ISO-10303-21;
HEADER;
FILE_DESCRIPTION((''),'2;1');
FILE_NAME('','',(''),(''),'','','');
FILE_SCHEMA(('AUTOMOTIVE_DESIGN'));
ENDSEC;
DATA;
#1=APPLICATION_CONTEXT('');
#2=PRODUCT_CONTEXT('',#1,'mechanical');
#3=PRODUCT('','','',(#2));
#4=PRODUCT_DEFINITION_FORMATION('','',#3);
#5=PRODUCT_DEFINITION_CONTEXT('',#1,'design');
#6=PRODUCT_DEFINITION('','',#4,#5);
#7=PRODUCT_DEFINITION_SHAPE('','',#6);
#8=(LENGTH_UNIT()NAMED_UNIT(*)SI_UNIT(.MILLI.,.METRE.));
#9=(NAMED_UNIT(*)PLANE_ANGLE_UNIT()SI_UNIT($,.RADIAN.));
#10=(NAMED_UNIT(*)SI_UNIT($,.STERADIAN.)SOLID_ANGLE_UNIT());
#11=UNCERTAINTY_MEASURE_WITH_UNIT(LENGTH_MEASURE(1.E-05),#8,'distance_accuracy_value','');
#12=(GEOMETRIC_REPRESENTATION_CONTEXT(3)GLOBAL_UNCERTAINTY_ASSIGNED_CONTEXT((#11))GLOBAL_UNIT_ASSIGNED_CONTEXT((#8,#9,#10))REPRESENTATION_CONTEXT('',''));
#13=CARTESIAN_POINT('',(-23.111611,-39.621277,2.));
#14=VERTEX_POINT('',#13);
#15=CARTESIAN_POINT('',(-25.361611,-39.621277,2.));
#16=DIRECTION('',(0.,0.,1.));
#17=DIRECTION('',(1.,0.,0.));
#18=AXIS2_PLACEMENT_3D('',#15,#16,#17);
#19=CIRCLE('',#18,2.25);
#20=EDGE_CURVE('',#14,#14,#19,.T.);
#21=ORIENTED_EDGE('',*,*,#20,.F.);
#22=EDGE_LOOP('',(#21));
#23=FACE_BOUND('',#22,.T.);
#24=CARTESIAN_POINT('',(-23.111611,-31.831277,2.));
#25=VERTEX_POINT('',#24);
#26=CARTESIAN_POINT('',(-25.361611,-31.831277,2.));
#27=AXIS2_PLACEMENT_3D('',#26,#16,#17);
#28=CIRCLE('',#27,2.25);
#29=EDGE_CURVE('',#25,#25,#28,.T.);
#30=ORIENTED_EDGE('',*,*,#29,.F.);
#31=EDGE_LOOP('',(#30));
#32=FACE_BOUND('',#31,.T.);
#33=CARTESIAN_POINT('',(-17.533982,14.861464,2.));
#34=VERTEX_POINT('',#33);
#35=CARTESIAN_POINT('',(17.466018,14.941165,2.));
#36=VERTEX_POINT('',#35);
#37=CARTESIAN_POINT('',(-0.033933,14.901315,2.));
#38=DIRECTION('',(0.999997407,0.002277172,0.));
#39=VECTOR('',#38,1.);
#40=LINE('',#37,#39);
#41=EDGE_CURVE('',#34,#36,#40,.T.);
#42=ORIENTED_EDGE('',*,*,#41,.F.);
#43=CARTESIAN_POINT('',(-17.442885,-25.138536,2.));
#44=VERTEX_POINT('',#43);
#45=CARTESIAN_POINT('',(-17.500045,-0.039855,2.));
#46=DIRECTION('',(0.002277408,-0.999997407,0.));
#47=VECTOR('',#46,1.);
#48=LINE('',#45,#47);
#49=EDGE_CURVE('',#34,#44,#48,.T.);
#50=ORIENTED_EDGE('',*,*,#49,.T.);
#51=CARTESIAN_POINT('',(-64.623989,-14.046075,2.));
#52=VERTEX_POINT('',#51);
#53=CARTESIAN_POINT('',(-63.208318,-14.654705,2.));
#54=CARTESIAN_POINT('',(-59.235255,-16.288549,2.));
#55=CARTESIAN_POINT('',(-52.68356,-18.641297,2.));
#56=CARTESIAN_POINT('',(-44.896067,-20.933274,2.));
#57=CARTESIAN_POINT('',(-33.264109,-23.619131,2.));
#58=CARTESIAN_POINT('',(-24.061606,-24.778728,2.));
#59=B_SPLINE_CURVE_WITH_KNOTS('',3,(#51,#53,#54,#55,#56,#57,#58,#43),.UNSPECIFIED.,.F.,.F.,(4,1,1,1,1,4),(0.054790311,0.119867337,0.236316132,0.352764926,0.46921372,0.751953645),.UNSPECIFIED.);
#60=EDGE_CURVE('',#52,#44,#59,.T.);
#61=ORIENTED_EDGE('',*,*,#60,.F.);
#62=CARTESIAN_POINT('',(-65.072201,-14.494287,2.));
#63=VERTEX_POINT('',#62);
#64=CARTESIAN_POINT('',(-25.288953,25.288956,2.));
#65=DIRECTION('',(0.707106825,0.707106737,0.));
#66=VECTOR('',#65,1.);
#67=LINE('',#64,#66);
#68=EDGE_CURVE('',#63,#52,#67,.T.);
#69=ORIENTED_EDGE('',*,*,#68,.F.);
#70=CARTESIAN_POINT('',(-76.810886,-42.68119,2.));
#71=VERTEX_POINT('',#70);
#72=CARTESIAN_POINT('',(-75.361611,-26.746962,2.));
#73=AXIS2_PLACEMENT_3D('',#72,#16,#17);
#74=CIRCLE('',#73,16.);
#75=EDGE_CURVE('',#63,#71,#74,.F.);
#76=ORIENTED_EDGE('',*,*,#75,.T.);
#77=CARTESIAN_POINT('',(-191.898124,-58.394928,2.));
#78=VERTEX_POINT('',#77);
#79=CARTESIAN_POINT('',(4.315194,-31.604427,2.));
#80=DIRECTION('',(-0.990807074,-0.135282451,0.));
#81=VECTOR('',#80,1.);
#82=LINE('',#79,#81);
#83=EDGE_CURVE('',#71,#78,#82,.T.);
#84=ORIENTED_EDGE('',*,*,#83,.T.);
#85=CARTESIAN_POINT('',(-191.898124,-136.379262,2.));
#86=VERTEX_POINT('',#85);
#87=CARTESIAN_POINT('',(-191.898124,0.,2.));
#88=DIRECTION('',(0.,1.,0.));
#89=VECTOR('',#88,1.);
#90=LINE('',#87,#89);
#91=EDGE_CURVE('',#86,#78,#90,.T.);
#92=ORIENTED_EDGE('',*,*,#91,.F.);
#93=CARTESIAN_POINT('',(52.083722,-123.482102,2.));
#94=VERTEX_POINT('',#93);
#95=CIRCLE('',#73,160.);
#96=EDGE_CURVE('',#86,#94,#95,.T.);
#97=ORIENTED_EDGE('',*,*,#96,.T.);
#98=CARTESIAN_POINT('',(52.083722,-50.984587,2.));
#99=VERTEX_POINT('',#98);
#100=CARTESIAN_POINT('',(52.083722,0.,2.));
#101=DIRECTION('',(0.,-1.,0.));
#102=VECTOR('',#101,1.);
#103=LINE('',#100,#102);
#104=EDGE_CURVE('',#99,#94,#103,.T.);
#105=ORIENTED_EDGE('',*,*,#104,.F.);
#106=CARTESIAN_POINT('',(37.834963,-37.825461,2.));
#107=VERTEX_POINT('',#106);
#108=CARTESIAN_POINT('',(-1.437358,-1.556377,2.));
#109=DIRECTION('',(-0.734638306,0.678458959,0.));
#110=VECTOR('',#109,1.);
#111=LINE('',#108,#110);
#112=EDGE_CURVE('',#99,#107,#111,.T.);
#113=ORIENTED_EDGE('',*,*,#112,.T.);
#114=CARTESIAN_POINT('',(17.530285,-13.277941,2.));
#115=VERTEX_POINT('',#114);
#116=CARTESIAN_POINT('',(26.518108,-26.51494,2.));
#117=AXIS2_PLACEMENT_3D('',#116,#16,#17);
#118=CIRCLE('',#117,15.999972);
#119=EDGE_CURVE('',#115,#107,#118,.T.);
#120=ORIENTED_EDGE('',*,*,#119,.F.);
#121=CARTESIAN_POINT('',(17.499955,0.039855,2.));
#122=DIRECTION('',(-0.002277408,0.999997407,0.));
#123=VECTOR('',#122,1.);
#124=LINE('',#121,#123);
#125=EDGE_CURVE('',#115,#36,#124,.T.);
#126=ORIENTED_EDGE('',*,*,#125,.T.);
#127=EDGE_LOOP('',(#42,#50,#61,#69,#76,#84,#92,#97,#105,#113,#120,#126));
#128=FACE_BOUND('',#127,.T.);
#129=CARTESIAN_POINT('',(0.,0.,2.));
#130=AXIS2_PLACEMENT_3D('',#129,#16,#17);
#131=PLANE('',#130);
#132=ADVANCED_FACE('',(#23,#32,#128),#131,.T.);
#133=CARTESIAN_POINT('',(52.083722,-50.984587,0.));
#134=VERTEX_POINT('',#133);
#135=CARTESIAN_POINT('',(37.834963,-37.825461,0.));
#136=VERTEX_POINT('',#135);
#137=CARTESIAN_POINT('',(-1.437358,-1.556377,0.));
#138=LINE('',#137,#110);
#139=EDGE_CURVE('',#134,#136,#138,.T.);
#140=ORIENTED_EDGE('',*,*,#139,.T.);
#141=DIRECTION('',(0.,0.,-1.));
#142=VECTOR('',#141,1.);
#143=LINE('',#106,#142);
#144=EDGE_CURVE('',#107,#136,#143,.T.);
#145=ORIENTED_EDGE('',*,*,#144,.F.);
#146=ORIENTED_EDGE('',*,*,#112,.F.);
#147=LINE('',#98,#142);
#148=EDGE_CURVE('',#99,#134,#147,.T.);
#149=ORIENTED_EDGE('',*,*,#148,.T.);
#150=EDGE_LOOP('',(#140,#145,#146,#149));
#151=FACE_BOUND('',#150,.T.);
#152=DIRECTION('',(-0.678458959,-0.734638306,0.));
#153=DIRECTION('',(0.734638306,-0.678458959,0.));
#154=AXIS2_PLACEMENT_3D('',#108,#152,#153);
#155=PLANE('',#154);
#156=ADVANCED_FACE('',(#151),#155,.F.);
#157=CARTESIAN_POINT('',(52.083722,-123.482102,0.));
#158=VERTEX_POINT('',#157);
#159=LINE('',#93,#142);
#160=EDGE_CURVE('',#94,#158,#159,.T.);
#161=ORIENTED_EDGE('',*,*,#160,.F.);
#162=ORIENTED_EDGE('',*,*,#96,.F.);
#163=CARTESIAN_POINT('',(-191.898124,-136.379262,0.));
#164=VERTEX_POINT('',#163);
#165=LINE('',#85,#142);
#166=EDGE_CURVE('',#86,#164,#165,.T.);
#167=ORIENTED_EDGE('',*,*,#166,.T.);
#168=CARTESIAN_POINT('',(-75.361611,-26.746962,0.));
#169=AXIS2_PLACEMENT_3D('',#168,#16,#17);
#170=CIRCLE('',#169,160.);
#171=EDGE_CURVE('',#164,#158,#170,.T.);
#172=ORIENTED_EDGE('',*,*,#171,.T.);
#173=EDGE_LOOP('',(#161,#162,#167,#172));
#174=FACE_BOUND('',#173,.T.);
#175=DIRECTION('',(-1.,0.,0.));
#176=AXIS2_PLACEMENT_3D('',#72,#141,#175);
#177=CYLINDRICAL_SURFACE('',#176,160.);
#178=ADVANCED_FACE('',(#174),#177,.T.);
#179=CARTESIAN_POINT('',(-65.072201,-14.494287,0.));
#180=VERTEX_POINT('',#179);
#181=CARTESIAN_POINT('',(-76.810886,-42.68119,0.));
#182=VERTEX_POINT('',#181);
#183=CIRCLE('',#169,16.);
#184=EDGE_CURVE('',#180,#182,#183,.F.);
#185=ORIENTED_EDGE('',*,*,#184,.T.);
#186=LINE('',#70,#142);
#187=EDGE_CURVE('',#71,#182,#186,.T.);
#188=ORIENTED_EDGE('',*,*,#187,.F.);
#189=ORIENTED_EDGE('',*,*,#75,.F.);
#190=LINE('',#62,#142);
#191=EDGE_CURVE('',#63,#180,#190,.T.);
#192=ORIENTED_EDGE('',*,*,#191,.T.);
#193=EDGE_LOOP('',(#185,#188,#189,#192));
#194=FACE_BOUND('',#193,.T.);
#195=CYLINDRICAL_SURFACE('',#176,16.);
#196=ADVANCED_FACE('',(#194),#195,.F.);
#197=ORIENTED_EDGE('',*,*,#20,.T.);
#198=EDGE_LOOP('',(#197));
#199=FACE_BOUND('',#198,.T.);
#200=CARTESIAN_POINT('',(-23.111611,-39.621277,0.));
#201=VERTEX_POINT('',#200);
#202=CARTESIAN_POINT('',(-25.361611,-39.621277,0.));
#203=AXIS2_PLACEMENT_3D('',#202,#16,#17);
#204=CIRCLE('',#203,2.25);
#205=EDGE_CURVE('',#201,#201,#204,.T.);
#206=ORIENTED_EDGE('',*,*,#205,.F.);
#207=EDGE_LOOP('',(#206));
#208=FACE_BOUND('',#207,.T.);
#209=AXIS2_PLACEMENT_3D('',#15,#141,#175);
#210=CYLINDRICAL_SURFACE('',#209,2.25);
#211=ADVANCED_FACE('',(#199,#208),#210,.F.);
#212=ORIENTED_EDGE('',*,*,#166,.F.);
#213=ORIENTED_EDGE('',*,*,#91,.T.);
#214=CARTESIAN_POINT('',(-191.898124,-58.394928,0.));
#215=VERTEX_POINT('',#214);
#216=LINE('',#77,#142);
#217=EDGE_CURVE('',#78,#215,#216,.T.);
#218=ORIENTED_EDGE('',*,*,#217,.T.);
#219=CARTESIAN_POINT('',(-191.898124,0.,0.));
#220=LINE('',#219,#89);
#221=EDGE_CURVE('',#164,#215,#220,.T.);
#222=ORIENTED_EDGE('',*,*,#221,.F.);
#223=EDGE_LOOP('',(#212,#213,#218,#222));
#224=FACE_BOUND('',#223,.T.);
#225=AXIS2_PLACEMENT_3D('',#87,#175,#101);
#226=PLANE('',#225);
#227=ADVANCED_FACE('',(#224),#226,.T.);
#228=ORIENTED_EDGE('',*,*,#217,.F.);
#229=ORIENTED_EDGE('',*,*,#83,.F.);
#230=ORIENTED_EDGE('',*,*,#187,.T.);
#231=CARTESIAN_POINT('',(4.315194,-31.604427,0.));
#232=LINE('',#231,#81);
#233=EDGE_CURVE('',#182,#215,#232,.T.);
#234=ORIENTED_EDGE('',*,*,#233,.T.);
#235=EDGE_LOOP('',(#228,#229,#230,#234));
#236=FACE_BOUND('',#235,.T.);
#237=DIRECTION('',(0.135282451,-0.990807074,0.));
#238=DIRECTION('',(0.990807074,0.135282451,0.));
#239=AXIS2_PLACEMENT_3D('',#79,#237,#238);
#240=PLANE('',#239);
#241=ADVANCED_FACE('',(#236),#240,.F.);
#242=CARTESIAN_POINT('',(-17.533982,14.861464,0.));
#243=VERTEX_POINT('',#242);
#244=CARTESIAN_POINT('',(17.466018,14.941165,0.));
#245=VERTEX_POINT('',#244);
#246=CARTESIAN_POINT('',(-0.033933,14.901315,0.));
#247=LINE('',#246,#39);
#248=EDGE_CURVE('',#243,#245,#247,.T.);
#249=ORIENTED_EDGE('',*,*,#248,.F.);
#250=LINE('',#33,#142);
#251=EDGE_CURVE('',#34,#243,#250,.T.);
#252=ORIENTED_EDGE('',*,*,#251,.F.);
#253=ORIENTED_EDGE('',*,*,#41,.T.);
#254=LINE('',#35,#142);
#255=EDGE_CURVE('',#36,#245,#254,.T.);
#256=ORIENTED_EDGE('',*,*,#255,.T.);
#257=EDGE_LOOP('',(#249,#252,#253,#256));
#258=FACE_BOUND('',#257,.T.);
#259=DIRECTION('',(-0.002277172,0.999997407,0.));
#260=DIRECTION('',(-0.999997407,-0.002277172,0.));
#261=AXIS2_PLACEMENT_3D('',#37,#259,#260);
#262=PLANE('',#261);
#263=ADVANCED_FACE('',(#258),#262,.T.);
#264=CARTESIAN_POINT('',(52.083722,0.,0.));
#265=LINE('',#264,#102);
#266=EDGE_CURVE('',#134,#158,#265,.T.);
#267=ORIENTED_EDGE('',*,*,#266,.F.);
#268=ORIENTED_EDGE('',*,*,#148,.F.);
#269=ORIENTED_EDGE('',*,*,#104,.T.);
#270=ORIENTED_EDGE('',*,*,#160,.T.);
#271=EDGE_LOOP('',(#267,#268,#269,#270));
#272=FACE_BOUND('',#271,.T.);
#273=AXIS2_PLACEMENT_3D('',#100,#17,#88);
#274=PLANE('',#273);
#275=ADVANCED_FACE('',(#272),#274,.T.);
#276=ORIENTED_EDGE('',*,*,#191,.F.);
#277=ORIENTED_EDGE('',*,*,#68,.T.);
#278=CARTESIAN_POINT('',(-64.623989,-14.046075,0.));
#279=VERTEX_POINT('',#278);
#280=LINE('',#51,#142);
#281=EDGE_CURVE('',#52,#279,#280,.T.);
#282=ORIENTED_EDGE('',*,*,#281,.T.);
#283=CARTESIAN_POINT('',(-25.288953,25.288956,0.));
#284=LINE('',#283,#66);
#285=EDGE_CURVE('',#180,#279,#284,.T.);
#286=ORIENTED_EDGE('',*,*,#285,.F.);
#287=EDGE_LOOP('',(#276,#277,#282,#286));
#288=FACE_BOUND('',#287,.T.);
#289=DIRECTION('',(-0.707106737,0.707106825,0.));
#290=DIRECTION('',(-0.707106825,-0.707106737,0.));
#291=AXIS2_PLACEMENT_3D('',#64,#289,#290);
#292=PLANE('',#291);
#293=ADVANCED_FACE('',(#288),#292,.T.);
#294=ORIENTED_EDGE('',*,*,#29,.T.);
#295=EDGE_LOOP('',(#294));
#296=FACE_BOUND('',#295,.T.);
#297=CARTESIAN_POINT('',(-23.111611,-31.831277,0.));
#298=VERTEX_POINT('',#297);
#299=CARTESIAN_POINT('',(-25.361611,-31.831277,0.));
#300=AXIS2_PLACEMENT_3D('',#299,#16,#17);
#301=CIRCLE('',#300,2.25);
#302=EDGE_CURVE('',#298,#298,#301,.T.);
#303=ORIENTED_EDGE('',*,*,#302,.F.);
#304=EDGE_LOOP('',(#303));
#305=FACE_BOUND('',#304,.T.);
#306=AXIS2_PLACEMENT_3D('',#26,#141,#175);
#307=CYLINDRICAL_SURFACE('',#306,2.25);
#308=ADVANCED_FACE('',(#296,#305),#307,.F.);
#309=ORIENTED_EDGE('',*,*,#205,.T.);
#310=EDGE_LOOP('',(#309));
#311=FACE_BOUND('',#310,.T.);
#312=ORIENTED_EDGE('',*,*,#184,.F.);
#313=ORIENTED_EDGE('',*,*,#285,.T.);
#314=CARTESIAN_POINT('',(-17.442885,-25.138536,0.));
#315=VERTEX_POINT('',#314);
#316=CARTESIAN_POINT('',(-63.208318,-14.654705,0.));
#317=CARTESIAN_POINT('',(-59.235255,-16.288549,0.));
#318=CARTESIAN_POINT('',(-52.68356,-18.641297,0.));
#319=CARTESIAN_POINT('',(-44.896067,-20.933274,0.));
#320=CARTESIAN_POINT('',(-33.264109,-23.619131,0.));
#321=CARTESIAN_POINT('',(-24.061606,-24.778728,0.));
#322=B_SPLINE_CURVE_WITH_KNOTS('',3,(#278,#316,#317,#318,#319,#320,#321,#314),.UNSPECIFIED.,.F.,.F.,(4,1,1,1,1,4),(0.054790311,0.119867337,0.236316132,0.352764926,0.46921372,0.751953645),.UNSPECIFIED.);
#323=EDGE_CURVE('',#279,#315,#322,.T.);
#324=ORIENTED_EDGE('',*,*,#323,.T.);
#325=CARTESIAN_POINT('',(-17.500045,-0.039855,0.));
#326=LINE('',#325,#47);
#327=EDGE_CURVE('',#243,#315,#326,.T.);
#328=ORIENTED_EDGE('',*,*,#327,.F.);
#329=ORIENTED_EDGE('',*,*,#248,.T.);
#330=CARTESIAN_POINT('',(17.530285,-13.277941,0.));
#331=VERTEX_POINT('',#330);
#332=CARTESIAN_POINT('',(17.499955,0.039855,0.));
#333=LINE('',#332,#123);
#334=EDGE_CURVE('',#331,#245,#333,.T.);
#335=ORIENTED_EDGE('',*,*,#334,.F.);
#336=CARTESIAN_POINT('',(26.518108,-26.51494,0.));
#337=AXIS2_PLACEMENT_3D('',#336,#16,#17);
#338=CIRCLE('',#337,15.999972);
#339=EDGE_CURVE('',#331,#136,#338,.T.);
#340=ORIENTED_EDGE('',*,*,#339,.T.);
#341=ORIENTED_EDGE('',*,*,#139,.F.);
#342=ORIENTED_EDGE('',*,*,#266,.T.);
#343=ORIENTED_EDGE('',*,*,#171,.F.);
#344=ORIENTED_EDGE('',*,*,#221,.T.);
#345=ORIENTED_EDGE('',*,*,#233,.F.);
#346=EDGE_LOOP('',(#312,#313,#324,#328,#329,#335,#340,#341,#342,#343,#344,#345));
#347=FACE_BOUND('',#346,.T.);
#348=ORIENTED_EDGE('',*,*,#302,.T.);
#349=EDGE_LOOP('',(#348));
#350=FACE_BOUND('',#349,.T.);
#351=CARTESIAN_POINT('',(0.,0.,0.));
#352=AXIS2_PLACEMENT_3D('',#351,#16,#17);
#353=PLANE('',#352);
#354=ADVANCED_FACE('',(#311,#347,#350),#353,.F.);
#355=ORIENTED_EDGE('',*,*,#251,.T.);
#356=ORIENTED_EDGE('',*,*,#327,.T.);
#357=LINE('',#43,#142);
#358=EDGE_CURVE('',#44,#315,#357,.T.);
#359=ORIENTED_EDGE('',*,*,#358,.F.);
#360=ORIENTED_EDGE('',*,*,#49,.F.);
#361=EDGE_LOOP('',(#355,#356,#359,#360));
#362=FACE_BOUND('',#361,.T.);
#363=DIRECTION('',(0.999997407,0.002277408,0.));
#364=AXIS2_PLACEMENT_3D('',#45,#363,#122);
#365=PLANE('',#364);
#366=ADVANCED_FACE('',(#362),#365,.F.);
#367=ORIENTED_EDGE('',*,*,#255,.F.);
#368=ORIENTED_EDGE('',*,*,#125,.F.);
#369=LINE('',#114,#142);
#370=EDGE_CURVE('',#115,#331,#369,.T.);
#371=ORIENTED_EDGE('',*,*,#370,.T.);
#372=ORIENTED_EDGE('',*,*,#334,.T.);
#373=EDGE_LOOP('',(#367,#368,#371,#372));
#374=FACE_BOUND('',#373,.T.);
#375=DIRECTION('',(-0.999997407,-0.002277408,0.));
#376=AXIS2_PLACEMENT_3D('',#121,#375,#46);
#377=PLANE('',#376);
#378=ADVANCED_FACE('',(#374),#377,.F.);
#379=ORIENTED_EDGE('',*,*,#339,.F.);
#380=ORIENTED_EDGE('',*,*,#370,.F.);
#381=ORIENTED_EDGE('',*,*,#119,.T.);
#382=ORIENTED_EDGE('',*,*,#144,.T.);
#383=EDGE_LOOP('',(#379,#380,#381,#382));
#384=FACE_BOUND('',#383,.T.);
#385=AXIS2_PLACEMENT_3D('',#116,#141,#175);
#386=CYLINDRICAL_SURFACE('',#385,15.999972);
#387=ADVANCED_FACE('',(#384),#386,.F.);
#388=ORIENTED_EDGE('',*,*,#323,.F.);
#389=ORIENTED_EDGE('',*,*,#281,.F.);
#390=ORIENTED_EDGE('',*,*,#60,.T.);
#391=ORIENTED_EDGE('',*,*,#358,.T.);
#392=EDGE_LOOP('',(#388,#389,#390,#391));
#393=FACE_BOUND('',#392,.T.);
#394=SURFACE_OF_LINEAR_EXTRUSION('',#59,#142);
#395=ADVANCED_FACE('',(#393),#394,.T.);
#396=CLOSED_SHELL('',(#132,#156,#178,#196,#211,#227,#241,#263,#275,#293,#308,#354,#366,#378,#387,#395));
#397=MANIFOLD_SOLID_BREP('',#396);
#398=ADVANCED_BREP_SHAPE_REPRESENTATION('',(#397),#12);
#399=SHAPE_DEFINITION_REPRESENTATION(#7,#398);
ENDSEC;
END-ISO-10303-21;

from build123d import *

# Parameters (mm, degrees)
SKETCH1_R           = 2.25
BOSS_EXTRUDE1_DEPTH = 2


with BuildPart() as part:
    # Sketch1 → Boss-Extrude1 (new body)
    with BuildSketch(Plane.XY):
        with BuildLine():
            ThreePointArc((-65.072201119, -14.494287215), (-60.59129068, -32.898192856), (-76.810886122, -42.68118958))
            Line((-76.810886122, -42.68118958), (-191.898124009, -58.394928446))
            Line((-191.898124009, -58.394928446), (-191.898124009, -58.897796779))
            Line((-191.898124009, -58.897796779), (-191.898124009, -136.379261887))
            ThreePointArc((-191.898124009, -136.379261887), (-66.915619532, -186.523885549), (52.083721608, -123.48210166))
            Line((52.083721608, -123.48210166), (52.083721608, -50.984586674))
            Line((52.083721608, -50.984586674), (37.834963232, -37.825461025))
            ThreePointArc((37.834963232, -37.825461025), (14.189227202, -36.712872143), (17.530284751, -13.277940505))
            Line((17.530284751, -13.277940505), (17.466018163, 14.941165213))
            Line((17.466018163, 14.941165213), (-17.533981861, 14.861463987))
            Line((-17.533981861, 14.861463987), (-17.442886515, -25.137999382))
            Line((-17.442886515, -25.137999382), (-17.442885293, -25.138536013))
            add(Edge.make_bspline(
                [(-64.623988745, -14.046074897), (-63.208317509, -14.654705213), (-59.235254763, -16.288548622), (-52.683559955, -18.641296662), (-44.896066709, -20.933273776), (-33.264108999, -23.619131202), (-24.061605806, -24.778728303), (-17.442885293, -25.138536013)],
                knots=[0.054790311, 0.054790311, 0.054790311, 0.054790311, 0.119867337, 0.236316132, 0.352764926, 0.46921372, 0.751953645, 0.751953645, 0.751953645, 0.751953645], degree=3))
            Line((-64.623988745, -14.046074897), (-65.072201119, -14.494287215))
        make_face()
        with Locations((-25.361610976, -39.621277184)):
            Circle(SKETCH1_R, mode=Mode.SUBTRACT)
        with Locations((-25.361610976, -31.831277184)):
            Circle(SKETCH1_R, mode=Mode.SUBTRACT)
    extrude(amount=BOSS_EXTRUDE1_DEPTH)


solid = part.part
